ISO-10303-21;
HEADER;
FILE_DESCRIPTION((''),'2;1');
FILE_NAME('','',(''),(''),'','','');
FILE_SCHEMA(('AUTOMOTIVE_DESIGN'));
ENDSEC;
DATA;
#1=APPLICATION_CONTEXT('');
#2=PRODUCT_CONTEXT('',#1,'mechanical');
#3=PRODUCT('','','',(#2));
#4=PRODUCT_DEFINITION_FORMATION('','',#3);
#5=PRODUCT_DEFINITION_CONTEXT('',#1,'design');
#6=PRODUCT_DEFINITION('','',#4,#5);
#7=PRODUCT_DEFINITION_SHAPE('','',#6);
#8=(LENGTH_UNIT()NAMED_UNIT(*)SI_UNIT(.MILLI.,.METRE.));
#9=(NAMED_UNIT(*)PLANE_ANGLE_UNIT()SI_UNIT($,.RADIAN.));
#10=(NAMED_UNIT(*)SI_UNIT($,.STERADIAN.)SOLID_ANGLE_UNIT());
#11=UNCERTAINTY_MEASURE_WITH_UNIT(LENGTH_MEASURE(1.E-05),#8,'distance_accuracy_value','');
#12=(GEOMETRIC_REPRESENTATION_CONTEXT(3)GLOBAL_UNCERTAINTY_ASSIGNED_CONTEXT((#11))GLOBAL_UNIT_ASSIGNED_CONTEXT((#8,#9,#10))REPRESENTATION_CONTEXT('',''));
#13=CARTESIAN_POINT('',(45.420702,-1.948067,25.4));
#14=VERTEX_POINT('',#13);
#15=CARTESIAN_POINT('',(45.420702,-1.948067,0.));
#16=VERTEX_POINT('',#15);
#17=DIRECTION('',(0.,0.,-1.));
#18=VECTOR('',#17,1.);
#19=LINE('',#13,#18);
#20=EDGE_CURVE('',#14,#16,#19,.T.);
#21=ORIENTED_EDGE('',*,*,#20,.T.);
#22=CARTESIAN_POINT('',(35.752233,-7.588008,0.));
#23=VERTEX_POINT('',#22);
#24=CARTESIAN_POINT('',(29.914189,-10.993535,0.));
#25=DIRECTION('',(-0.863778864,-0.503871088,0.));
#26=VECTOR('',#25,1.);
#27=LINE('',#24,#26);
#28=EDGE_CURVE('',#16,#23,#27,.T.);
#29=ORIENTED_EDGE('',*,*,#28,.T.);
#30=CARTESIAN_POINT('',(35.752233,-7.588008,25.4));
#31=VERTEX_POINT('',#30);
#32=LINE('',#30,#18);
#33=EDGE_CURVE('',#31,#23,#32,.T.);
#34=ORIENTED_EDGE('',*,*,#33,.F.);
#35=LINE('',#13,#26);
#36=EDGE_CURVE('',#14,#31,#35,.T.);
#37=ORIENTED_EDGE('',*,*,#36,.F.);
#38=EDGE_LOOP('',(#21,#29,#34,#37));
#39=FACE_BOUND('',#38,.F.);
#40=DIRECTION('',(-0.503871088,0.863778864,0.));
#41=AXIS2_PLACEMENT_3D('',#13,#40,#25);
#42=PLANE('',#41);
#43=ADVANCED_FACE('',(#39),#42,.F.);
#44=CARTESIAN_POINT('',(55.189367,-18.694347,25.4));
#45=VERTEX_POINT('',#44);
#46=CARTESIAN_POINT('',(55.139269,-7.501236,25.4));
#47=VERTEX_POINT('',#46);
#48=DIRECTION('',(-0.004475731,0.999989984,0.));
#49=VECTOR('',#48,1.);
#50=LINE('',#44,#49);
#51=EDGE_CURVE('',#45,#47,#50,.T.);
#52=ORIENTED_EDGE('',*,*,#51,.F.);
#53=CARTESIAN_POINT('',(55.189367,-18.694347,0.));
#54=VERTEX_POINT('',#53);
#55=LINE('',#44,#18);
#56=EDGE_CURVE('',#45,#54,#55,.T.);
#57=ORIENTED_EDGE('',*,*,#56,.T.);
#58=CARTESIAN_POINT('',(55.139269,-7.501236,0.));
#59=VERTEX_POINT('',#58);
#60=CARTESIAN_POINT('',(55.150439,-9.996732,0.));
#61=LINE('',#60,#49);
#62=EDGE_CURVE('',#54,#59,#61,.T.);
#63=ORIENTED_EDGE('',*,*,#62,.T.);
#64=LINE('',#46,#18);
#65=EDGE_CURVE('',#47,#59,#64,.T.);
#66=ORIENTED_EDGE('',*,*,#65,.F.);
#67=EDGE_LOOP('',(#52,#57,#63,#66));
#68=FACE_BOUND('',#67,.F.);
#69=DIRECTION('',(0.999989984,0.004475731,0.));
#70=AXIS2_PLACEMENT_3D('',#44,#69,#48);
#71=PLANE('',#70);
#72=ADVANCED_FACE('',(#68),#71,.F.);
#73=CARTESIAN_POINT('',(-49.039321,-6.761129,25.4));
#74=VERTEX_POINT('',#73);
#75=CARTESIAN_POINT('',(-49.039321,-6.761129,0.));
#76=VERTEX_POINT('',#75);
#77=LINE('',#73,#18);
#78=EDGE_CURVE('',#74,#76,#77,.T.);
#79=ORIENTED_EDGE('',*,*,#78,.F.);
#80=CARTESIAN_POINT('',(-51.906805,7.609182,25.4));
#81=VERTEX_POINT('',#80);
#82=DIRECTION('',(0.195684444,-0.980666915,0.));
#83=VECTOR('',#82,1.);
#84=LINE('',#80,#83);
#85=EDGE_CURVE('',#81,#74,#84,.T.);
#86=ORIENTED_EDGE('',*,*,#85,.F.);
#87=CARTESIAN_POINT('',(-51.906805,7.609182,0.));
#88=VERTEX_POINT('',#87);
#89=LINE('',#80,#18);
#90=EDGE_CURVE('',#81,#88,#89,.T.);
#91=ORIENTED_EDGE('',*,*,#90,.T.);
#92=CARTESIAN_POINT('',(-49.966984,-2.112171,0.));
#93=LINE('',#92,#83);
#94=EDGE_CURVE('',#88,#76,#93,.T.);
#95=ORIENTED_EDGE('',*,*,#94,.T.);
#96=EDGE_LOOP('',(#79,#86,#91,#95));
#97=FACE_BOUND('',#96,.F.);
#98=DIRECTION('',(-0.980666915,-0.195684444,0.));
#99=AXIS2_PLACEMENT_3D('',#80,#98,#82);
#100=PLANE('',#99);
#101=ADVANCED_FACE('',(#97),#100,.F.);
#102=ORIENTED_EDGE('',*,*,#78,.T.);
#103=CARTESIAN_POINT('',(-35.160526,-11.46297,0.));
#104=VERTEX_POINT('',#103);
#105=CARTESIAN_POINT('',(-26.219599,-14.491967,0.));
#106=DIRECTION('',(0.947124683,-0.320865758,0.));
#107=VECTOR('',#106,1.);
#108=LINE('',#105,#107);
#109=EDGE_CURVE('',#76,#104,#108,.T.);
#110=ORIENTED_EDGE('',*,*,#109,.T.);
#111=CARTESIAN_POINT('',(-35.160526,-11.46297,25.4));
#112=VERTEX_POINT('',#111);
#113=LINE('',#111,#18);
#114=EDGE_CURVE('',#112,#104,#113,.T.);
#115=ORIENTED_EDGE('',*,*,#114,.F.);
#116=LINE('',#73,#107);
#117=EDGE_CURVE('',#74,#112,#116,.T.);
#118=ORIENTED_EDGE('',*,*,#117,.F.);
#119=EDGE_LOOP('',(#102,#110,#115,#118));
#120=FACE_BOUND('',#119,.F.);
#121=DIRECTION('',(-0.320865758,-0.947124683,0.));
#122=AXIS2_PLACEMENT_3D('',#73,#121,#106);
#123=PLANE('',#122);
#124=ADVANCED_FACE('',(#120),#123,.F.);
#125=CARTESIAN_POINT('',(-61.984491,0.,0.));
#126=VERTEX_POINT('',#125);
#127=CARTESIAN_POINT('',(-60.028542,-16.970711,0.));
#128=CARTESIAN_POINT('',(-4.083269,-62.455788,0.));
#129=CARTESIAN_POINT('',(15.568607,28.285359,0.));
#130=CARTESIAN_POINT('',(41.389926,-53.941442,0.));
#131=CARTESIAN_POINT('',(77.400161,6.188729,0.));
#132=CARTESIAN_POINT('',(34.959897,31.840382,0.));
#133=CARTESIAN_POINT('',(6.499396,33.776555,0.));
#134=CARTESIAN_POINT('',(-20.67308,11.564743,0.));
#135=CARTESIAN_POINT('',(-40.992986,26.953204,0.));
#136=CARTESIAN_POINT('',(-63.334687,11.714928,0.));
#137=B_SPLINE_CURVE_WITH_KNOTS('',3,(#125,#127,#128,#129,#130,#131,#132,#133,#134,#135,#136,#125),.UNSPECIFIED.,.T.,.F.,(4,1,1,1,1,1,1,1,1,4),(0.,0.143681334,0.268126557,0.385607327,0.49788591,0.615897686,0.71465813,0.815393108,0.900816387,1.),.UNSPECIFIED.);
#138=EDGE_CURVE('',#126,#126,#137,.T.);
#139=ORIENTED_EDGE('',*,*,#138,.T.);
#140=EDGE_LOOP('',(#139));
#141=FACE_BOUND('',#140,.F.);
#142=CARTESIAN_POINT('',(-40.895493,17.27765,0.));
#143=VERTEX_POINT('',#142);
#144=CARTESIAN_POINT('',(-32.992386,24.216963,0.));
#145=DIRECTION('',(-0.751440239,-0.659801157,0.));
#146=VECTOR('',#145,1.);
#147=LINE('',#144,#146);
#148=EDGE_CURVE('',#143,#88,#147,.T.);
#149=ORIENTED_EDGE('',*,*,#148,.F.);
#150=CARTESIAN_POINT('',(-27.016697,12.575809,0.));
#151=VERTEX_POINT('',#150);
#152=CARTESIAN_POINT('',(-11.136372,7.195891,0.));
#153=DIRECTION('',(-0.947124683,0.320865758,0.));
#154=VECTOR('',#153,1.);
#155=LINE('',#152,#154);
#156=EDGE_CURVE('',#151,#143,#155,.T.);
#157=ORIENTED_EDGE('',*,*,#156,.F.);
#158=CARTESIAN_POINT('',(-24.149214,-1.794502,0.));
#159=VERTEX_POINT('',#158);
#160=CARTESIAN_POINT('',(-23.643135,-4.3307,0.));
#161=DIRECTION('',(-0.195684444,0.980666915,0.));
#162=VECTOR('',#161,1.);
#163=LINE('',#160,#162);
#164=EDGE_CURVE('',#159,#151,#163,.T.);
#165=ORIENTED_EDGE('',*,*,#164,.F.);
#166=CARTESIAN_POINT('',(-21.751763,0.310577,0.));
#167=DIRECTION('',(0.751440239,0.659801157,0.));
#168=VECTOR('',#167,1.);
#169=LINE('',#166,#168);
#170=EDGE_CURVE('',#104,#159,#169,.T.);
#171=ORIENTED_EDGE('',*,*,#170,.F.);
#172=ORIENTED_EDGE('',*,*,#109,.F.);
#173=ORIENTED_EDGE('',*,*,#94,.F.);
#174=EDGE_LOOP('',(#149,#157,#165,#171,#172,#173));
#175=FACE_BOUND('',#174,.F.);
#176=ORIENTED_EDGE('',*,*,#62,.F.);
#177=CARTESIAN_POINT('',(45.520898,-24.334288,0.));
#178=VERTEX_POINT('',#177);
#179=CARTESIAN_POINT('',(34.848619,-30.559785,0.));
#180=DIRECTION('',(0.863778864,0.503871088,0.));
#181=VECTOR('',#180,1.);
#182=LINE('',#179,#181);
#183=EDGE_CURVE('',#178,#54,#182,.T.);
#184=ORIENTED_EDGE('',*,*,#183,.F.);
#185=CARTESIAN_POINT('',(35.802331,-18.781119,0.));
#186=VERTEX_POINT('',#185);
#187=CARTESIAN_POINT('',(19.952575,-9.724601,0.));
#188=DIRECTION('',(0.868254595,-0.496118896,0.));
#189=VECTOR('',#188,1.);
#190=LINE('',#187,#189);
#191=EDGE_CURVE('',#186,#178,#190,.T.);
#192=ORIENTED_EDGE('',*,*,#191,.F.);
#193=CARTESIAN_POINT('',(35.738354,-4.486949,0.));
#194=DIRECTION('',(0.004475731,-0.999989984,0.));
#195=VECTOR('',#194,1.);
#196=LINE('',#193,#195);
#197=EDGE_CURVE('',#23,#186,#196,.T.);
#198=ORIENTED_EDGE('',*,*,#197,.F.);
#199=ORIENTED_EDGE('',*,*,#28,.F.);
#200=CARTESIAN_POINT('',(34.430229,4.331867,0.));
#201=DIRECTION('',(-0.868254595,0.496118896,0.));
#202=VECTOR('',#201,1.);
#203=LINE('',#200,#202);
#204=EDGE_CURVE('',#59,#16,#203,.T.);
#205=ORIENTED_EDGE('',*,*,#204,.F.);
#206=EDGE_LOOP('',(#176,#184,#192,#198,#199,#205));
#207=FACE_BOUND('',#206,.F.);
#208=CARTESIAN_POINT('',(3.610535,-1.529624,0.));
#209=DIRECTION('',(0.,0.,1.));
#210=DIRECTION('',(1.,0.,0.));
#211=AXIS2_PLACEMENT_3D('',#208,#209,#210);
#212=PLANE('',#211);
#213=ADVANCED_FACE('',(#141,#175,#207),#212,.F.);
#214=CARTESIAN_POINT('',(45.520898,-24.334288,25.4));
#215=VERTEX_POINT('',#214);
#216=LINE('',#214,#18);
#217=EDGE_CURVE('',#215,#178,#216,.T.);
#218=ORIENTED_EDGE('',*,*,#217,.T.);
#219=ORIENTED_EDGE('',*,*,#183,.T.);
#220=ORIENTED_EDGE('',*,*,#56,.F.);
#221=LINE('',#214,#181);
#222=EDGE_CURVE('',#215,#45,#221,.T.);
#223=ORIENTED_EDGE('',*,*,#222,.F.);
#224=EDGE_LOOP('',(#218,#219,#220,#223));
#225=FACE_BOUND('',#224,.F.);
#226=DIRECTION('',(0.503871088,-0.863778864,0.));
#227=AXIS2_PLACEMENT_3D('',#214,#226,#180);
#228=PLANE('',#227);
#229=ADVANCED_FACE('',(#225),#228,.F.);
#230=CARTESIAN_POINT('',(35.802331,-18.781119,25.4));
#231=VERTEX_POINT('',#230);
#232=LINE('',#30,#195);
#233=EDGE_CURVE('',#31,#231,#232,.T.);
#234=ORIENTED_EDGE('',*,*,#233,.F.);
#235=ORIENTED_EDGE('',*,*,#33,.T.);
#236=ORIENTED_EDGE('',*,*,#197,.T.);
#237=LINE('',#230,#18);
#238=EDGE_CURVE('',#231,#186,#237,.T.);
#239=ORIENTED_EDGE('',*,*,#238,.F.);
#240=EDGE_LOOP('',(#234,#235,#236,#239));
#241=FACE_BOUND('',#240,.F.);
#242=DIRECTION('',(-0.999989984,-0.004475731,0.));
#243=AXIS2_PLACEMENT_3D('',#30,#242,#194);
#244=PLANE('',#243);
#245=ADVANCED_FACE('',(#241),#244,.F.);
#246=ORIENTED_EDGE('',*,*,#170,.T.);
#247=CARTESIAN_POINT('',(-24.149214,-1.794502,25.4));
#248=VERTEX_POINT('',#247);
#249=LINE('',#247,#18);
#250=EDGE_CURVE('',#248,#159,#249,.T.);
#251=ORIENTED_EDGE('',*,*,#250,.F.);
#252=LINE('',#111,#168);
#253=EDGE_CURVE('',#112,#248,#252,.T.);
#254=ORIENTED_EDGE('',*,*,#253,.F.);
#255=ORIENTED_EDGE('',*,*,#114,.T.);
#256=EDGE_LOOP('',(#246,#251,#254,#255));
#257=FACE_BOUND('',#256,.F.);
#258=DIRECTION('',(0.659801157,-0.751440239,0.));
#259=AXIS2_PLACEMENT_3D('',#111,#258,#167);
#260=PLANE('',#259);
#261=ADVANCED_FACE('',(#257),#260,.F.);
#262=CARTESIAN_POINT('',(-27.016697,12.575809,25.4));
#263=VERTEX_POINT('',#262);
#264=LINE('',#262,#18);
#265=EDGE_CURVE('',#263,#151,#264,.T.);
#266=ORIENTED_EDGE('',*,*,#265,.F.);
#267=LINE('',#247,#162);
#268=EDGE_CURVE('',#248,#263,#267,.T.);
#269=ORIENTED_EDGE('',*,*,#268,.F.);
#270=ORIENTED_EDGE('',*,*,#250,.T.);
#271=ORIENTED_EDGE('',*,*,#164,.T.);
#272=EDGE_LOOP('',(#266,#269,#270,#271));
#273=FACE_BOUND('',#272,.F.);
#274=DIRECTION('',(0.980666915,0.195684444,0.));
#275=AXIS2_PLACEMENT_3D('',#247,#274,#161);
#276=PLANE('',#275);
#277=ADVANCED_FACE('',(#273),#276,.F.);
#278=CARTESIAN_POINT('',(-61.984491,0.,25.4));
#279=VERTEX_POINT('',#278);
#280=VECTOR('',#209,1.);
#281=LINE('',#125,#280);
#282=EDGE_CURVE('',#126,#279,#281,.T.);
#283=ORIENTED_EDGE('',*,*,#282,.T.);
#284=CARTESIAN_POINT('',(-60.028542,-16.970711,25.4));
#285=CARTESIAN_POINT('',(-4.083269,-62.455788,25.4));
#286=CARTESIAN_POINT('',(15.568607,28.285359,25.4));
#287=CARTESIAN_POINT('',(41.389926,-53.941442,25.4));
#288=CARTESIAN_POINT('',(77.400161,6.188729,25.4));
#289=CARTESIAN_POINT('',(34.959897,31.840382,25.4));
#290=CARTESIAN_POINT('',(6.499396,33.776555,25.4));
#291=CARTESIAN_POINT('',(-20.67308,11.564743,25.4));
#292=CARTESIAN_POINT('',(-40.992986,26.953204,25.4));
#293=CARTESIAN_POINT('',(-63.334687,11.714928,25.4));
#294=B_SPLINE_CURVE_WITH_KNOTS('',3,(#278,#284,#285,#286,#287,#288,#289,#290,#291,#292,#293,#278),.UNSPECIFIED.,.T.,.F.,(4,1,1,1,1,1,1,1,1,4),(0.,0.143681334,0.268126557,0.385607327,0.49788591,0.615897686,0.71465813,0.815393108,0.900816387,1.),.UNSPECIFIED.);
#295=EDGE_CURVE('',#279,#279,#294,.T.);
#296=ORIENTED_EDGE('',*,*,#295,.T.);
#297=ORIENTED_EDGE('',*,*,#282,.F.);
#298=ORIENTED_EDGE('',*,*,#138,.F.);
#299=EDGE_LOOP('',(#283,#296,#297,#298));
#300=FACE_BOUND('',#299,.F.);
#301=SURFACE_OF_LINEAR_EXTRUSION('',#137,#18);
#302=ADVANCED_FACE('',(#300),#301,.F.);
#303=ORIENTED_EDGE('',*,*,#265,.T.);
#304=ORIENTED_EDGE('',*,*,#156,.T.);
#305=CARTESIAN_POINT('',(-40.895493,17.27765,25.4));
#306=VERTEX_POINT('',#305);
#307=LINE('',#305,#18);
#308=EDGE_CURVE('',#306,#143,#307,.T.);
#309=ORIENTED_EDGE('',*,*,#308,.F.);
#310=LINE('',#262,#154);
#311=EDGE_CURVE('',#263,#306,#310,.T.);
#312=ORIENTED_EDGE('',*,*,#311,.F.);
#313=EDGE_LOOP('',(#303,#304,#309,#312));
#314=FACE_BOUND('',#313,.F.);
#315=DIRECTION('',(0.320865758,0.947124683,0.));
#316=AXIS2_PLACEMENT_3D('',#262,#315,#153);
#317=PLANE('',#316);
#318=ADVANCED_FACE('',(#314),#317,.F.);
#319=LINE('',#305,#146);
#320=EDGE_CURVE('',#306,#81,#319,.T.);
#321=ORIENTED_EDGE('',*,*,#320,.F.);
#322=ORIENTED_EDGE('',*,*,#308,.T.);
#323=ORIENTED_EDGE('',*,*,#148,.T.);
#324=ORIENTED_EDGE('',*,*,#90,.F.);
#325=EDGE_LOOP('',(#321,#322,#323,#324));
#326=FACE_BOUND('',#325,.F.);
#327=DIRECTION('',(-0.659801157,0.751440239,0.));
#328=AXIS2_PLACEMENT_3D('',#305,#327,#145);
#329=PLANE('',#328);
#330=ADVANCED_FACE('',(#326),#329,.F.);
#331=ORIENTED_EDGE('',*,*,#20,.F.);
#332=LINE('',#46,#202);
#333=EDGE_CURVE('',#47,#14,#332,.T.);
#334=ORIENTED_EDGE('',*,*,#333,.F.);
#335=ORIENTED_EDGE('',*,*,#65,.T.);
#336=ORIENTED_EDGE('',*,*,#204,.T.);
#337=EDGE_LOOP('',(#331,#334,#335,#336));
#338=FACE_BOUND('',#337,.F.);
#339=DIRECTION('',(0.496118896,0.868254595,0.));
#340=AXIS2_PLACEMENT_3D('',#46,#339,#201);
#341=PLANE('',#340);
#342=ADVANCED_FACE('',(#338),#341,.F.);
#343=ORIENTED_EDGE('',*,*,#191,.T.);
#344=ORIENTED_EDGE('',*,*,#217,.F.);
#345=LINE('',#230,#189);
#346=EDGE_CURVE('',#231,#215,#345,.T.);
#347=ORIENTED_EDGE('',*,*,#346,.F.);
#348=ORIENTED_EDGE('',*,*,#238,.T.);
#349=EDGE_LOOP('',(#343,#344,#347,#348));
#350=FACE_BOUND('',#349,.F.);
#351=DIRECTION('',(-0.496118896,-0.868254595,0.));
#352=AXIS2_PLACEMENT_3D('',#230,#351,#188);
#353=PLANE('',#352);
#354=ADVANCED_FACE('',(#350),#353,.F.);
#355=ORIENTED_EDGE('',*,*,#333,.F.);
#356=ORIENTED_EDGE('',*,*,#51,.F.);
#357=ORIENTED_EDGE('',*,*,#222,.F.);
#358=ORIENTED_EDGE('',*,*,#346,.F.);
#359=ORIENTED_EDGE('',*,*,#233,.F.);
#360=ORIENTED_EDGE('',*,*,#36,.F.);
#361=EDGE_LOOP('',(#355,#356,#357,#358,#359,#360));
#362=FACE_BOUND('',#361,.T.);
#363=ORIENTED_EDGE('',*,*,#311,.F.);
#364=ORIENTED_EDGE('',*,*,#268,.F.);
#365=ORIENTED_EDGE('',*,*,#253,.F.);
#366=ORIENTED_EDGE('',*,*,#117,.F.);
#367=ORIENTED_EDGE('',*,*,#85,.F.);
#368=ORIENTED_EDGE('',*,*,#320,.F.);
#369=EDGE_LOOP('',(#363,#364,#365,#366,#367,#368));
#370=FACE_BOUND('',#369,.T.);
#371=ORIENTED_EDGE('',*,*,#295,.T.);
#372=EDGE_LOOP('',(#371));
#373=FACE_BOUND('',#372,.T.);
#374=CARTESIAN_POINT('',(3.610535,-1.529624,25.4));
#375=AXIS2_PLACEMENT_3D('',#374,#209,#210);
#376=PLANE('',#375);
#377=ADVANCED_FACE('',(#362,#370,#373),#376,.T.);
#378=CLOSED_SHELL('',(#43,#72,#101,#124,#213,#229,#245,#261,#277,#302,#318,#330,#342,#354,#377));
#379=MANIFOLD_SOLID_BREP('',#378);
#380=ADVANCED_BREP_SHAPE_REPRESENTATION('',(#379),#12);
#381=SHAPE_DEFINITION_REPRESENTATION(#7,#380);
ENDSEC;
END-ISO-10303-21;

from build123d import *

# Parameters (mm, degrees)
F1_DEPTH = 25.4
F3_DEPTH = 53.594
F5_DEPTH = 46.736


with BuildPart() as f1:
    # F0 (on Top) → F1 (new body)
    with BuildSketch(Plane.XY):
        with BuildLine():
            add(Edge.make_bspline(
                [(-61.9844906032, 0), (-60.0285421446, -16.9707112764), (-4.083268658, -62.4557882401), (15.5686074282, 28.2853588819), (41.389926039, -53.9414421657), (77.4001609564, 6.1887292245), (34.9598968602, 31.8403824432), (6.4993958, 33.7765551154), (-20.6730803062, 11.5647429365), (-40.9929859833, 26.9532044009), (-63.3346871001, 11.7149277699), (-61.9844906032, 0)],
                knots=[0, 0, 0, 0, 0.1436813344, 0.2681265573, 0.3856073273, 0.4978859096, 0.6158976857, 0.7146581302, 0.8153931083, 0.9008163873, 1, 1, 1, 1], degree=3))
        make_face()
    extrude(amount=F1_DEPTH)

    # F2 (on face) → F3 (cut)
    with BuildSketch(Plane.XY.offset(25.4)):
        Polygon((-35.1605257811, -11.4629702239), (-24.1492138384, -1.7945016206), (-27.0166972931, 12.5758085524), (-40.8954926906, 17.2776501222), (-51.9068046334, 7.609181519), (-49.0393211786, -6.7611286541), align=None)
    extrude(amount=-F3_DEPTH, mode=Mode.SUBTRACT)

    # F4 (on face) → F5 (cut)
    with BuildSketch(Plane.XY.offset(25.4)):
        Polygon((45.4207024028, -1.9480670663), (35.7522332618, -7.5880083395), (35.8023311098, -18.7811188679), (45.5208980987, -24.334288123), (55.1893672397, -18.6943468498), (55.1392693917, -7.5012363215), align=None)
    extrude(amount=-F5_DEPTH, mode=Mode.SUBTRACT)


solid = f1.part
